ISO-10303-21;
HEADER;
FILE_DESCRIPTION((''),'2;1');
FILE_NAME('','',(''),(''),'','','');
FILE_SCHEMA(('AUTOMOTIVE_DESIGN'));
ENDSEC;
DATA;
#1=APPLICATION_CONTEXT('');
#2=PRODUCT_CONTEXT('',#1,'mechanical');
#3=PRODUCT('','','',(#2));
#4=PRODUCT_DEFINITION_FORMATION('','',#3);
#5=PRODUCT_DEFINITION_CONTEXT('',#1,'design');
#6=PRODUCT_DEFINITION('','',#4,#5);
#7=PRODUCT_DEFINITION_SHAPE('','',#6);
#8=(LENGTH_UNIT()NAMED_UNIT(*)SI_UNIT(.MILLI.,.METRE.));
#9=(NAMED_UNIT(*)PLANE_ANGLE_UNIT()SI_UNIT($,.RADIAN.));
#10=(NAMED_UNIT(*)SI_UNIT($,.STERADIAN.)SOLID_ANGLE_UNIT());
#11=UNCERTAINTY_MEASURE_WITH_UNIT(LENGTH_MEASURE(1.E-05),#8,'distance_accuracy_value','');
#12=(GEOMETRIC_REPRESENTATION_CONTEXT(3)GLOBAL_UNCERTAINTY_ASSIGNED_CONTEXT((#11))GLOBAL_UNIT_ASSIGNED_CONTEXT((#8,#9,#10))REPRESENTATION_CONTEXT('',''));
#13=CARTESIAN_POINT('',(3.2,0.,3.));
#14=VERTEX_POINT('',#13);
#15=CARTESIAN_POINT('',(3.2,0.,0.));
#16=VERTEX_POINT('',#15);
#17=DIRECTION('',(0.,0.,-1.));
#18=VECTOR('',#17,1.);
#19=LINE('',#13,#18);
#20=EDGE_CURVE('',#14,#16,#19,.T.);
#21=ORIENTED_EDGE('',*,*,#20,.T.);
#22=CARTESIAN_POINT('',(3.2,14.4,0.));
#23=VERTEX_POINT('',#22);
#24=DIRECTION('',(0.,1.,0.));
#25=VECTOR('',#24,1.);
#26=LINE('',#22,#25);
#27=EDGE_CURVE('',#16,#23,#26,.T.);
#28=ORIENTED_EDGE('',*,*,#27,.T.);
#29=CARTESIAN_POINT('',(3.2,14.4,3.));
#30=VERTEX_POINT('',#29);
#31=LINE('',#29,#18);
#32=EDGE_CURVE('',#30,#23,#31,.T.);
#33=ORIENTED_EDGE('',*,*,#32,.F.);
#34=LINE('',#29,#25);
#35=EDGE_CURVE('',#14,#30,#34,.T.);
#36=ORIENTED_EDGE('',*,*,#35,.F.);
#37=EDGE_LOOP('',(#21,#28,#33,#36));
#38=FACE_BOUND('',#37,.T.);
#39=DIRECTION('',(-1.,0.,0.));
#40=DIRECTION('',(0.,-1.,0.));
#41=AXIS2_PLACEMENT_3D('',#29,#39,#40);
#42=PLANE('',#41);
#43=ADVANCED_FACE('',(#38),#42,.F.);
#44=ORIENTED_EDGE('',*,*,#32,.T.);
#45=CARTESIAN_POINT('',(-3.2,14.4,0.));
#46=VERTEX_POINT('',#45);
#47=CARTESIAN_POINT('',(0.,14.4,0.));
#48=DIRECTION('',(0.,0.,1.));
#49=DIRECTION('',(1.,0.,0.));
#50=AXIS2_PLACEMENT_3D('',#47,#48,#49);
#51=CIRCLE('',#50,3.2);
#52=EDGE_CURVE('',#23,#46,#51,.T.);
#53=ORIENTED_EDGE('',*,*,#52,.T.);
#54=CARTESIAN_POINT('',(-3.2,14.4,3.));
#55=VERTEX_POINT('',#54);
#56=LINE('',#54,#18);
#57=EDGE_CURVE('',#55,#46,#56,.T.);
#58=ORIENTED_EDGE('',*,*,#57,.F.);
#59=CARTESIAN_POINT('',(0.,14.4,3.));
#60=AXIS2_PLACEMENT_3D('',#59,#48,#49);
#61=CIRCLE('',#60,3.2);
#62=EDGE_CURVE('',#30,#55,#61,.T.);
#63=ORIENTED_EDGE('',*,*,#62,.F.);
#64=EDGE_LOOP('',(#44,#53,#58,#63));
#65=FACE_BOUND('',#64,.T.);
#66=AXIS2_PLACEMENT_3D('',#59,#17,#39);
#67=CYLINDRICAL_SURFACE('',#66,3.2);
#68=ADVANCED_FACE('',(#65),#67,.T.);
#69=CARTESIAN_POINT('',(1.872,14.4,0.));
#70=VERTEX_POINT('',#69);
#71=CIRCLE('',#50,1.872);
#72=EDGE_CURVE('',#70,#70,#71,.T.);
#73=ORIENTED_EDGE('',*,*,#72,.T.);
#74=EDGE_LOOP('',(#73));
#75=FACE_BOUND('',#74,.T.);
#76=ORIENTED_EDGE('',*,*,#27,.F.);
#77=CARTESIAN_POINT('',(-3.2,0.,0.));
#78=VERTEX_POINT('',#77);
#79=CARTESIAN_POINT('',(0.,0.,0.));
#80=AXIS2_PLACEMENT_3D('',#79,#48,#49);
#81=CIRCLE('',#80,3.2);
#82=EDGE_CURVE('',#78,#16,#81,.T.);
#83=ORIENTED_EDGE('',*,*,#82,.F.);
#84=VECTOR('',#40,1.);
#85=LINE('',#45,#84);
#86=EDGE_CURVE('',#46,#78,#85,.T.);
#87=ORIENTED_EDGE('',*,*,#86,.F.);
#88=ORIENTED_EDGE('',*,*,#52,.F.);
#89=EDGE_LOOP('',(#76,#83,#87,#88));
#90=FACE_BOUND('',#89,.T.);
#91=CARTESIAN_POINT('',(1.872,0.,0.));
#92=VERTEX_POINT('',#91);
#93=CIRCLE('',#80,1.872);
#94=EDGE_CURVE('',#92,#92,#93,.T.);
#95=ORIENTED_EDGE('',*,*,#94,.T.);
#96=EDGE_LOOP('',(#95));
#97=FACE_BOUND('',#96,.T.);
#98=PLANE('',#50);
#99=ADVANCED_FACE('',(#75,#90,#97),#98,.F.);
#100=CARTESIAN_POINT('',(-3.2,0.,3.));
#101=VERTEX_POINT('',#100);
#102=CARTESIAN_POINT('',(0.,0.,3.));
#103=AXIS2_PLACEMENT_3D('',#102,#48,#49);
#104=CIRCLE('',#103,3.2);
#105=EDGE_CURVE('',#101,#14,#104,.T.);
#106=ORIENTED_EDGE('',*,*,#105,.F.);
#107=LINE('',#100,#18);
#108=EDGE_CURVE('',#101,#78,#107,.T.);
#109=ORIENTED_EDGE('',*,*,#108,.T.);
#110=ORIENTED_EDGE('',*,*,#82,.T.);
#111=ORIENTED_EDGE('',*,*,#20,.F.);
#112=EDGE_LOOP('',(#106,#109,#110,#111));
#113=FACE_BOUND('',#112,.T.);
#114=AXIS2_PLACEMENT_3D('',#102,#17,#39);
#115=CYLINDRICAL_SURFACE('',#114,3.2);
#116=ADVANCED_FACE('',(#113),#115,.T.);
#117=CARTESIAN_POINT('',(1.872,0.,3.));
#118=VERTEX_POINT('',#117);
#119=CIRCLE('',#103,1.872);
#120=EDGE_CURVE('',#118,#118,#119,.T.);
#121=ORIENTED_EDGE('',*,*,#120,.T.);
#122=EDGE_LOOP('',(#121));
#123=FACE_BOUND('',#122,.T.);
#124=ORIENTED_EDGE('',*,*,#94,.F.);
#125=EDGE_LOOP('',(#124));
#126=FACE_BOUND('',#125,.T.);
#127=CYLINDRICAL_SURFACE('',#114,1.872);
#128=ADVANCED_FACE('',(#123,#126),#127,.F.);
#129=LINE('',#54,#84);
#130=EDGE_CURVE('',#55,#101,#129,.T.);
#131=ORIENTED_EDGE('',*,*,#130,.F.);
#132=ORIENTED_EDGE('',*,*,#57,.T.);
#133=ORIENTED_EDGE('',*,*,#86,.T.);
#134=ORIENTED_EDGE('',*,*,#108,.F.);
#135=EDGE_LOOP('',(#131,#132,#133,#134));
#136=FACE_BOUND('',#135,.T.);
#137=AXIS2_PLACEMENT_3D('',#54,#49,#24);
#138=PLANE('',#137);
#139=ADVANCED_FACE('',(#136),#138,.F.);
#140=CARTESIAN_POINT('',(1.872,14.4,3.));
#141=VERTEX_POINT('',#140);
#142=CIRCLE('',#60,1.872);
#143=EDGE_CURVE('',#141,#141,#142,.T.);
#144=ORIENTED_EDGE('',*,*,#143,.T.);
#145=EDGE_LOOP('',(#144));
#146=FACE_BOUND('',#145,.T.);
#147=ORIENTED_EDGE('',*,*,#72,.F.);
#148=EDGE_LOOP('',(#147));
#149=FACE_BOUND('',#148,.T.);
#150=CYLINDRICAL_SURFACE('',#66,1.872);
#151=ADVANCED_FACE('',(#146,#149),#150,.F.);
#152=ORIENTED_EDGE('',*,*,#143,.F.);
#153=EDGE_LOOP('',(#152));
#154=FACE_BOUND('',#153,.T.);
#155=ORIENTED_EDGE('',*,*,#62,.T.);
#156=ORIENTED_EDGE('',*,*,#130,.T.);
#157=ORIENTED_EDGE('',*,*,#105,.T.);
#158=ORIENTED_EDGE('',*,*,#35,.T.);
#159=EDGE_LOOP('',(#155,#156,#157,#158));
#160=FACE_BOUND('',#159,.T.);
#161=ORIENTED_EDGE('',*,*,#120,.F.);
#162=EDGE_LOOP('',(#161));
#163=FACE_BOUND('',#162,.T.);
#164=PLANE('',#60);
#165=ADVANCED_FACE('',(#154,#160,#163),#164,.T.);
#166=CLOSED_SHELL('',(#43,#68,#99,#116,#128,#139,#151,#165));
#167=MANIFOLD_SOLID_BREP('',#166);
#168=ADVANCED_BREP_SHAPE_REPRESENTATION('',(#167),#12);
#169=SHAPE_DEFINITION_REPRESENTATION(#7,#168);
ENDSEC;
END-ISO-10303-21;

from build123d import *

# Parameters (mm, degrees)
SKETCH1_R           = 1.872
BOSS_EXTRUDE1_DEPTH = 3


with BuildPart() as part:
    # Sketch1 → Boss-Extrude1 (new body)
    with BuildSketch(Plane.XY):
        with BuildLine():
            Line((-3.2, 14.4), (-3.2, 0))
            ThreePointArc((-3.2, 0), (0, -3.2), (3.2, 0))
            Line((3.2, 0), (3.2, 14.4))
            ThreePointArc((3.2, 14.4), (0, 17.6), (-3.2, 14.4))
        make_face()
        Circle(SKETCH1_R, mode=Mode.SUBTRACT)
        with Locations((0, 14.4)):
            Circle(SKETCH1_R, mode=Mode.SUBTRACT)
    extrude(amount=BOSS_EXTRUDE1_DEPTH)


solid = part.part
